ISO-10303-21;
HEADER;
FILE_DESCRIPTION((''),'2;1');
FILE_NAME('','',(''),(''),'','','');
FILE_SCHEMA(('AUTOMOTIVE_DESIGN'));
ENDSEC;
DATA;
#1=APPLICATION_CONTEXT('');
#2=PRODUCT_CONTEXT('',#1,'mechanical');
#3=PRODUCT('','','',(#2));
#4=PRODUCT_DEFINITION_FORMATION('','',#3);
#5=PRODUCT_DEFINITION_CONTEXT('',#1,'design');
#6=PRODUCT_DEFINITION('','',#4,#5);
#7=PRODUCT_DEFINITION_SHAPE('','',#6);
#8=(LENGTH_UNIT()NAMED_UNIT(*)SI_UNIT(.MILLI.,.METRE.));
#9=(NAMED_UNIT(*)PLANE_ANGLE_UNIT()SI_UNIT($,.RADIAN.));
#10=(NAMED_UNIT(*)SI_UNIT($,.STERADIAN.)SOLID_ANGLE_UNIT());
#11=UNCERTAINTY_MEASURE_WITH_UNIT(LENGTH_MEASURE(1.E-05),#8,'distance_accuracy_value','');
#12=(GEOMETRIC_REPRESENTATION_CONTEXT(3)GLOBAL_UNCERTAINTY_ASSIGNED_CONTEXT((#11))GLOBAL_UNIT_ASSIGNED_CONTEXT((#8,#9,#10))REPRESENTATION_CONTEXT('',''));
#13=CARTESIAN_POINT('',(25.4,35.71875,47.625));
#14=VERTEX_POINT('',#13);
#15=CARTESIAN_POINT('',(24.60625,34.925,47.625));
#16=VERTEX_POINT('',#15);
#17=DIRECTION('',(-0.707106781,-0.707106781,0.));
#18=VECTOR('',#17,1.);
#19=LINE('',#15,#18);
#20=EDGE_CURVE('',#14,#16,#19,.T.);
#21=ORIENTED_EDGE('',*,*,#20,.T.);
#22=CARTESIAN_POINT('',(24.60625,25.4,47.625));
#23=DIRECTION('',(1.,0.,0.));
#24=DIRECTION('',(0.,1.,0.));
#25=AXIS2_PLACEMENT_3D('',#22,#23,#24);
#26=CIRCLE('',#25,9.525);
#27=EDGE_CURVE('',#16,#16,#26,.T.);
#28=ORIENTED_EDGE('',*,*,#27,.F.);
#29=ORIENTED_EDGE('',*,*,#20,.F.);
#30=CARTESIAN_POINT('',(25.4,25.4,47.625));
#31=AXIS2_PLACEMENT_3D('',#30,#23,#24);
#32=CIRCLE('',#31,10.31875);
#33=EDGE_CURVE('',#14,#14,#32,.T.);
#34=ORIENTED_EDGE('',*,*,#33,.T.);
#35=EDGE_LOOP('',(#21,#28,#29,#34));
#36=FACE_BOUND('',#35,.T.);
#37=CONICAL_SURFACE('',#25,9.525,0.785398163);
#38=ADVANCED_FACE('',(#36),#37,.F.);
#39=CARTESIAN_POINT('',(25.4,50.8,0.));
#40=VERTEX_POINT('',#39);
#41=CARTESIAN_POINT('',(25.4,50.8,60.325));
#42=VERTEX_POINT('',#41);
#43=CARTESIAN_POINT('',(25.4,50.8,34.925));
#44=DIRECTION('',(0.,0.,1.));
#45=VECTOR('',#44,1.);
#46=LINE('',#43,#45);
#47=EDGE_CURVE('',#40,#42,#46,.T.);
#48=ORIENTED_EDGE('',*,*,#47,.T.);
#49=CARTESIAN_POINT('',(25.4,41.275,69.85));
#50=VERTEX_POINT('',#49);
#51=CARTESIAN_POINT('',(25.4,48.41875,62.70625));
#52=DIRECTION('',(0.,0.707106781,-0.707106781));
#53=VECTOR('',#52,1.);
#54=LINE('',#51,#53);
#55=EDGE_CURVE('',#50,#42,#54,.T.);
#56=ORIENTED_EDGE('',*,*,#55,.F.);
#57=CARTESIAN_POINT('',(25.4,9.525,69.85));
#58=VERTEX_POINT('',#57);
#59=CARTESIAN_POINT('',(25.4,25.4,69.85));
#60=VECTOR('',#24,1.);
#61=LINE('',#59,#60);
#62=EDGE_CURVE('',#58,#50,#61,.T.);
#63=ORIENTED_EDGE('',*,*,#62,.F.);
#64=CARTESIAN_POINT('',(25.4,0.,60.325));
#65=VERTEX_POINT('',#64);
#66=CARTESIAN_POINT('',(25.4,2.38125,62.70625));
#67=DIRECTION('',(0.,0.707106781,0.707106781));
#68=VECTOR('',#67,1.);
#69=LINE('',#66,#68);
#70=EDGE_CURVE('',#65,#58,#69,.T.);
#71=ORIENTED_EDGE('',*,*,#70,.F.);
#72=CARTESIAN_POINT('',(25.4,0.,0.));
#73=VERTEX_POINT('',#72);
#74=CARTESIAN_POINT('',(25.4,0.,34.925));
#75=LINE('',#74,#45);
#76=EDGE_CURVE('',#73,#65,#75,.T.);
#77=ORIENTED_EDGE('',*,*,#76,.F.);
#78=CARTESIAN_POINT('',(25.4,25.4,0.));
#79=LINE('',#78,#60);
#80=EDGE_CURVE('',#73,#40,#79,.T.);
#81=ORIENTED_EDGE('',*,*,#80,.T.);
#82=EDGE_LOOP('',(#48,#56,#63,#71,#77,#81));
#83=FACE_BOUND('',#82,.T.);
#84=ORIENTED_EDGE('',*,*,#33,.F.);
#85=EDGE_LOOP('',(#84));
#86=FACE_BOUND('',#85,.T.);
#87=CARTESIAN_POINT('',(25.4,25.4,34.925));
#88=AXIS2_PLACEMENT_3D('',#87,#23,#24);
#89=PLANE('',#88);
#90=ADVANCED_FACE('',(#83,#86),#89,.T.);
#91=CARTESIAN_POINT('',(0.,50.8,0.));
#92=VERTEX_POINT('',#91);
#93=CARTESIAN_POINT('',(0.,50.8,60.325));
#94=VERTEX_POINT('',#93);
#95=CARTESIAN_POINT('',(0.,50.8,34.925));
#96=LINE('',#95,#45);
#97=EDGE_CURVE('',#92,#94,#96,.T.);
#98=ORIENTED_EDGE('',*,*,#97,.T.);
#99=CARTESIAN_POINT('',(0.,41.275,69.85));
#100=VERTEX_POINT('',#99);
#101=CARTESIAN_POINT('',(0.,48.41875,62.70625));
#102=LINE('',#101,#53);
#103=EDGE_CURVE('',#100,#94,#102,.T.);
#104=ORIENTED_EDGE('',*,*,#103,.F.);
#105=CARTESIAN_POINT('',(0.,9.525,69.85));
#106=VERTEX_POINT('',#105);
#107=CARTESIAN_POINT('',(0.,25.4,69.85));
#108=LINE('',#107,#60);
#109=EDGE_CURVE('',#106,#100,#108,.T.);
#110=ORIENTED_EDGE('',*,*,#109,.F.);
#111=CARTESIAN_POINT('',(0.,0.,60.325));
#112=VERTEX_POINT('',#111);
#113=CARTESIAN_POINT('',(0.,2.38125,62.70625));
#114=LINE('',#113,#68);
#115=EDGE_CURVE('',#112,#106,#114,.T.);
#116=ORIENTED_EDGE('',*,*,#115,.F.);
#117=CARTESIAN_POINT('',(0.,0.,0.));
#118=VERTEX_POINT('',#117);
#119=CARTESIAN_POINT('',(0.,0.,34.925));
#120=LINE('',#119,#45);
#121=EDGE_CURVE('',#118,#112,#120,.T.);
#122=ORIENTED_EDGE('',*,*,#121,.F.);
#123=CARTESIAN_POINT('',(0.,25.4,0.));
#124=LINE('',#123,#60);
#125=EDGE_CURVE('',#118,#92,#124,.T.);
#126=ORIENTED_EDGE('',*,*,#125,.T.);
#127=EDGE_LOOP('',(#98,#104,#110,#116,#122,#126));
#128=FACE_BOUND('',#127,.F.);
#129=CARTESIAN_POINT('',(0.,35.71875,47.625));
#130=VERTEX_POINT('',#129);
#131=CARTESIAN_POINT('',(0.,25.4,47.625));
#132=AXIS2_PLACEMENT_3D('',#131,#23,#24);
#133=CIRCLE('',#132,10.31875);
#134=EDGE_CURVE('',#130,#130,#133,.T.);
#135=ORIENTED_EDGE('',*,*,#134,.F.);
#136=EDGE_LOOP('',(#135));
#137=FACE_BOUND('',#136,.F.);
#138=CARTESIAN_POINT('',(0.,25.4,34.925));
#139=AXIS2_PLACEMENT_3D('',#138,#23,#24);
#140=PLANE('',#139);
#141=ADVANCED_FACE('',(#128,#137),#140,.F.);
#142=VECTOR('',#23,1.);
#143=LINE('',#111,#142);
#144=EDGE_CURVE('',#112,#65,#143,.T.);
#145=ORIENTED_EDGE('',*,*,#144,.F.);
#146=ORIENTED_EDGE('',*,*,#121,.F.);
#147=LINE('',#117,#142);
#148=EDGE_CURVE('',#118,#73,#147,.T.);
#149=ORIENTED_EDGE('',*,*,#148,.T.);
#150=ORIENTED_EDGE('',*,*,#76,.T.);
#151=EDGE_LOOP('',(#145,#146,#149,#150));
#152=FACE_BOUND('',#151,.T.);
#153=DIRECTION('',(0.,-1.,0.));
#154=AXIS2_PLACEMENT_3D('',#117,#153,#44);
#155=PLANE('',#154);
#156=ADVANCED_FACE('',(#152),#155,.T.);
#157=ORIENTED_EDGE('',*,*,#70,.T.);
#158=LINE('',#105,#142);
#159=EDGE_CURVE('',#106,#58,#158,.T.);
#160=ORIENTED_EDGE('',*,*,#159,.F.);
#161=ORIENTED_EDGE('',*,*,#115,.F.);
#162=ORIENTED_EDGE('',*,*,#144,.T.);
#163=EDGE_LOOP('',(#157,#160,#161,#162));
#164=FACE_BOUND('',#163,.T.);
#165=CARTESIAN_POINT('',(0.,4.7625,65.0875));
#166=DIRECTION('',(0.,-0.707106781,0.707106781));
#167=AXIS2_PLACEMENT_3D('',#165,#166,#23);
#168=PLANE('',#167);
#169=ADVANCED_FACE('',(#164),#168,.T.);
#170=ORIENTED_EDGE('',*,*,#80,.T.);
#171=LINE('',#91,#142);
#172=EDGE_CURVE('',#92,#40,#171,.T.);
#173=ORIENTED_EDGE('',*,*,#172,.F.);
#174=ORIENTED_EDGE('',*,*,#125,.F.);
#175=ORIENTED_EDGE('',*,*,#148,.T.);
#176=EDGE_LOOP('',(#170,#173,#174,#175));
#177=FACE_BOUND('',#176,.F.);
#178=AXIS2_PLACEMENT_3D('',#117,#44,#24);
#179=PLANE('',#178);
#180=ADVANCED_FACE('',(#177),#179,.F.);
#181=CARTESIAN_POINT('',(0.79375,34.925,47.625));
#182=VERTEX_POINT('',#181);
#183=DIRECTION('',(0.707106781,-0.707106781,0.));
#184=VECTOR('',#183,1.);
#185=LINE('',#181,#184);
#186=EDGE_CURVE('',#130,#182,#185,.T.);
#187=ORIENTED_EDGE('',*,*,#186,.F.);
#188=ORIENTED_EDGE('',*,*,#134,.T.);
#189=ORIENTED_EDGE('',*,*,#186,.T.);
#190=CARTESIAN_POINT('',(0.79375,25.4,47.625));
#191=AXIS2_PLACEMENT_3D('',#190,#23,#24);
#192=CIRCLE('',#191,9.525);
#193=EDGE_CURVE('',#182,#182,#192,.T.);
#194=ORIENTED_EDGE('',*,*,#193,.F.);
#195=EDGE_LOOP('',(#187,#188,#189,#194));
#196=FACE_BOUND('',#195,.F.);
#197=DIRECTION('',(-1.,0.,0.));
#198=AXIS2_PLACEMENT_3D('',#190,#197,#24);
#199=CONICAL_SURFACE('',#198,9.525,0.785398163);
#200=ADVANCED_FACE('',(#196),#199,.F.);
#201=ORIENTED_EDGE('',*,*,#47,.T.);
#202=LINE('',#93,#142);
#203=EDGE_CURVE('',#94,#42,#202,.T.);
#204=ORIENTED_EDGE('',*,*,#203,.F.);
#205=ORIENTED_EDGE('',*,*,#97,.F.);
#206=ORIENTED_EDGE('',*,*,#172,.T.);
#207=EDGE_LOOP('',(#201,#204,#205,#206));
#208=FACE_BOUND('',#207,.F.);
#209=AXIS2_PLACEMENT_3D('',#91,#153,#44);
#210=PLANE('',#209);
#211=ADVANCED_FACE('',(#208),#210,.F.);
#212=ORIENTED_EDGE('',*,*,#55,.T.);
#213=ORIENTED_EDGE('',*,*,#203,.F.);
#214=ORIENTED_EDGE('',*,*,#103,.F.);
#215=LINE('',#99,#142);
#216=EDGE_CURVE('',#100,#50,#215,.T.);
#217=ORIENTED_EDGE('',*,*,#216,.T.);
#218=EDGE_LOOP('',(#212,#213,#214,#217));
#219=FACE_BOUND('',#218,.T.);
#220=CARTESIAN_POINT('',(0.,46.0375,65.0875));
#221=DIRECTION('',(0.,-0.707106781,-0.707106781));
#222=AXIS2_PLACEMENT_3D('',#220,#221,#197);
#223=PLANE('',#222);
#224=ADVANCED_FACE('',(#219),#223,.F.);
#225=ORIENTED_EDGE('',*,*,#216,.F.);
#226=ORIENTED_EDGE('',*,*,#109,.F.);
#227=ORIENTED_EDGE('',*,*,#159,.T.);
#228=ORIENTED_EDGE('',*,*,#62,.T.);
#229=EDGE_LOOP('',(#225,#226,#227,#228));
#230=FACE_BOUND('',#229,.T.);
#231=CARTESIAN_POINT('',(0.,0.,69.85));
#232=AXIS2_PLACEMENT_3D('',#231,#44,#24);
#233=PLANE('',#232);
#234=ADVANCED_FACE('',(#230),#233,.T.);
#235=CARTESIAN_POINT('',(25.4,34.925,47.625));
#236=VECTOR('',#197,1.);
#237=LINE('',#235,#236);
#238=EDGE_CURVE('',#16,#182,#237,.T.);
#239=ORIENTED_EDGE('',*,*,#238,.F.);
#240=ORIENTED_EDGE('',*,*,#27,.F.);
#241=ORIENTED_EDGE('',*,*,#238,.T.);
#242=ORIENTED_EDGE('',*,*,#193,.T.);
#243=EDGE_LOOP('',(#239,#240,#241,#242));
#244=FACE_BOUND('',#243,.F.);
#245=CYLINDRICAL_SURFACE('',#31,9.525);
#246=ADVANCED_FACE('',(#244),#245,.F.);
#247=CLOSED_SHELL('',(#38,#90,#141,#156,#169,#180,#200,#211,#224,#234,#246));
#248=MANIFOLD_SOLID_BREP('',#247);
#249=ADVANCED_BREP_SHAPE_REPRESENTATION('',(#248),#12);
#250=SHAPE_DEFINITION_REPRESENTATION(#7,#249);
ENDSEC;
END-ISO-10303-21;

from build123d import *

# Parameters (mm, degrees)
F0_W     = 50.8
F0_H     = 69.85
F1_DEPTH = 25.4
F2_R     = 9.525
F3_DEPTH = 25.401
F4_SIZE  = 9.525
F5_SIZE  = 0.79375


with BuildPart() as f1:
    # F0 (on Right) → F1 (new body)
    with BuildSketch(Plane.YZ):
        with Locations((25.4, 34.925)):
            Rectangle(F0_W, F0_H)
    extrude(amount=F1_DEPTH)

    # F2 (on face) → F3 (cut, through all)
    with BuildSketch(Plane.YZ.offset(25.4)):
        with Locations((25.4, 47.625)):
            Circle(F2_R)
    extrude(amount=-F3_DEPTH, mode=Mode.SUBTRACT)

    # F4
    f4_edges = [f1.edges().sort_by_distance(p)[0] for p in [
        (12.7, 50.8, 69.85),
        (12.7, 0, 69.85),
    ]]
    chamfer(f4_edges, length=F4_SIZE)

    # F5
    f5_edges = [f1.edges().sort_by_distance(p)[0] for p in [
        (0, 15.875, 47.625),
        (25.4, 15.875, 47.625),
    ]]
    chamfer(f5_edges, length=F5_SIZE)


solid = f1.part
